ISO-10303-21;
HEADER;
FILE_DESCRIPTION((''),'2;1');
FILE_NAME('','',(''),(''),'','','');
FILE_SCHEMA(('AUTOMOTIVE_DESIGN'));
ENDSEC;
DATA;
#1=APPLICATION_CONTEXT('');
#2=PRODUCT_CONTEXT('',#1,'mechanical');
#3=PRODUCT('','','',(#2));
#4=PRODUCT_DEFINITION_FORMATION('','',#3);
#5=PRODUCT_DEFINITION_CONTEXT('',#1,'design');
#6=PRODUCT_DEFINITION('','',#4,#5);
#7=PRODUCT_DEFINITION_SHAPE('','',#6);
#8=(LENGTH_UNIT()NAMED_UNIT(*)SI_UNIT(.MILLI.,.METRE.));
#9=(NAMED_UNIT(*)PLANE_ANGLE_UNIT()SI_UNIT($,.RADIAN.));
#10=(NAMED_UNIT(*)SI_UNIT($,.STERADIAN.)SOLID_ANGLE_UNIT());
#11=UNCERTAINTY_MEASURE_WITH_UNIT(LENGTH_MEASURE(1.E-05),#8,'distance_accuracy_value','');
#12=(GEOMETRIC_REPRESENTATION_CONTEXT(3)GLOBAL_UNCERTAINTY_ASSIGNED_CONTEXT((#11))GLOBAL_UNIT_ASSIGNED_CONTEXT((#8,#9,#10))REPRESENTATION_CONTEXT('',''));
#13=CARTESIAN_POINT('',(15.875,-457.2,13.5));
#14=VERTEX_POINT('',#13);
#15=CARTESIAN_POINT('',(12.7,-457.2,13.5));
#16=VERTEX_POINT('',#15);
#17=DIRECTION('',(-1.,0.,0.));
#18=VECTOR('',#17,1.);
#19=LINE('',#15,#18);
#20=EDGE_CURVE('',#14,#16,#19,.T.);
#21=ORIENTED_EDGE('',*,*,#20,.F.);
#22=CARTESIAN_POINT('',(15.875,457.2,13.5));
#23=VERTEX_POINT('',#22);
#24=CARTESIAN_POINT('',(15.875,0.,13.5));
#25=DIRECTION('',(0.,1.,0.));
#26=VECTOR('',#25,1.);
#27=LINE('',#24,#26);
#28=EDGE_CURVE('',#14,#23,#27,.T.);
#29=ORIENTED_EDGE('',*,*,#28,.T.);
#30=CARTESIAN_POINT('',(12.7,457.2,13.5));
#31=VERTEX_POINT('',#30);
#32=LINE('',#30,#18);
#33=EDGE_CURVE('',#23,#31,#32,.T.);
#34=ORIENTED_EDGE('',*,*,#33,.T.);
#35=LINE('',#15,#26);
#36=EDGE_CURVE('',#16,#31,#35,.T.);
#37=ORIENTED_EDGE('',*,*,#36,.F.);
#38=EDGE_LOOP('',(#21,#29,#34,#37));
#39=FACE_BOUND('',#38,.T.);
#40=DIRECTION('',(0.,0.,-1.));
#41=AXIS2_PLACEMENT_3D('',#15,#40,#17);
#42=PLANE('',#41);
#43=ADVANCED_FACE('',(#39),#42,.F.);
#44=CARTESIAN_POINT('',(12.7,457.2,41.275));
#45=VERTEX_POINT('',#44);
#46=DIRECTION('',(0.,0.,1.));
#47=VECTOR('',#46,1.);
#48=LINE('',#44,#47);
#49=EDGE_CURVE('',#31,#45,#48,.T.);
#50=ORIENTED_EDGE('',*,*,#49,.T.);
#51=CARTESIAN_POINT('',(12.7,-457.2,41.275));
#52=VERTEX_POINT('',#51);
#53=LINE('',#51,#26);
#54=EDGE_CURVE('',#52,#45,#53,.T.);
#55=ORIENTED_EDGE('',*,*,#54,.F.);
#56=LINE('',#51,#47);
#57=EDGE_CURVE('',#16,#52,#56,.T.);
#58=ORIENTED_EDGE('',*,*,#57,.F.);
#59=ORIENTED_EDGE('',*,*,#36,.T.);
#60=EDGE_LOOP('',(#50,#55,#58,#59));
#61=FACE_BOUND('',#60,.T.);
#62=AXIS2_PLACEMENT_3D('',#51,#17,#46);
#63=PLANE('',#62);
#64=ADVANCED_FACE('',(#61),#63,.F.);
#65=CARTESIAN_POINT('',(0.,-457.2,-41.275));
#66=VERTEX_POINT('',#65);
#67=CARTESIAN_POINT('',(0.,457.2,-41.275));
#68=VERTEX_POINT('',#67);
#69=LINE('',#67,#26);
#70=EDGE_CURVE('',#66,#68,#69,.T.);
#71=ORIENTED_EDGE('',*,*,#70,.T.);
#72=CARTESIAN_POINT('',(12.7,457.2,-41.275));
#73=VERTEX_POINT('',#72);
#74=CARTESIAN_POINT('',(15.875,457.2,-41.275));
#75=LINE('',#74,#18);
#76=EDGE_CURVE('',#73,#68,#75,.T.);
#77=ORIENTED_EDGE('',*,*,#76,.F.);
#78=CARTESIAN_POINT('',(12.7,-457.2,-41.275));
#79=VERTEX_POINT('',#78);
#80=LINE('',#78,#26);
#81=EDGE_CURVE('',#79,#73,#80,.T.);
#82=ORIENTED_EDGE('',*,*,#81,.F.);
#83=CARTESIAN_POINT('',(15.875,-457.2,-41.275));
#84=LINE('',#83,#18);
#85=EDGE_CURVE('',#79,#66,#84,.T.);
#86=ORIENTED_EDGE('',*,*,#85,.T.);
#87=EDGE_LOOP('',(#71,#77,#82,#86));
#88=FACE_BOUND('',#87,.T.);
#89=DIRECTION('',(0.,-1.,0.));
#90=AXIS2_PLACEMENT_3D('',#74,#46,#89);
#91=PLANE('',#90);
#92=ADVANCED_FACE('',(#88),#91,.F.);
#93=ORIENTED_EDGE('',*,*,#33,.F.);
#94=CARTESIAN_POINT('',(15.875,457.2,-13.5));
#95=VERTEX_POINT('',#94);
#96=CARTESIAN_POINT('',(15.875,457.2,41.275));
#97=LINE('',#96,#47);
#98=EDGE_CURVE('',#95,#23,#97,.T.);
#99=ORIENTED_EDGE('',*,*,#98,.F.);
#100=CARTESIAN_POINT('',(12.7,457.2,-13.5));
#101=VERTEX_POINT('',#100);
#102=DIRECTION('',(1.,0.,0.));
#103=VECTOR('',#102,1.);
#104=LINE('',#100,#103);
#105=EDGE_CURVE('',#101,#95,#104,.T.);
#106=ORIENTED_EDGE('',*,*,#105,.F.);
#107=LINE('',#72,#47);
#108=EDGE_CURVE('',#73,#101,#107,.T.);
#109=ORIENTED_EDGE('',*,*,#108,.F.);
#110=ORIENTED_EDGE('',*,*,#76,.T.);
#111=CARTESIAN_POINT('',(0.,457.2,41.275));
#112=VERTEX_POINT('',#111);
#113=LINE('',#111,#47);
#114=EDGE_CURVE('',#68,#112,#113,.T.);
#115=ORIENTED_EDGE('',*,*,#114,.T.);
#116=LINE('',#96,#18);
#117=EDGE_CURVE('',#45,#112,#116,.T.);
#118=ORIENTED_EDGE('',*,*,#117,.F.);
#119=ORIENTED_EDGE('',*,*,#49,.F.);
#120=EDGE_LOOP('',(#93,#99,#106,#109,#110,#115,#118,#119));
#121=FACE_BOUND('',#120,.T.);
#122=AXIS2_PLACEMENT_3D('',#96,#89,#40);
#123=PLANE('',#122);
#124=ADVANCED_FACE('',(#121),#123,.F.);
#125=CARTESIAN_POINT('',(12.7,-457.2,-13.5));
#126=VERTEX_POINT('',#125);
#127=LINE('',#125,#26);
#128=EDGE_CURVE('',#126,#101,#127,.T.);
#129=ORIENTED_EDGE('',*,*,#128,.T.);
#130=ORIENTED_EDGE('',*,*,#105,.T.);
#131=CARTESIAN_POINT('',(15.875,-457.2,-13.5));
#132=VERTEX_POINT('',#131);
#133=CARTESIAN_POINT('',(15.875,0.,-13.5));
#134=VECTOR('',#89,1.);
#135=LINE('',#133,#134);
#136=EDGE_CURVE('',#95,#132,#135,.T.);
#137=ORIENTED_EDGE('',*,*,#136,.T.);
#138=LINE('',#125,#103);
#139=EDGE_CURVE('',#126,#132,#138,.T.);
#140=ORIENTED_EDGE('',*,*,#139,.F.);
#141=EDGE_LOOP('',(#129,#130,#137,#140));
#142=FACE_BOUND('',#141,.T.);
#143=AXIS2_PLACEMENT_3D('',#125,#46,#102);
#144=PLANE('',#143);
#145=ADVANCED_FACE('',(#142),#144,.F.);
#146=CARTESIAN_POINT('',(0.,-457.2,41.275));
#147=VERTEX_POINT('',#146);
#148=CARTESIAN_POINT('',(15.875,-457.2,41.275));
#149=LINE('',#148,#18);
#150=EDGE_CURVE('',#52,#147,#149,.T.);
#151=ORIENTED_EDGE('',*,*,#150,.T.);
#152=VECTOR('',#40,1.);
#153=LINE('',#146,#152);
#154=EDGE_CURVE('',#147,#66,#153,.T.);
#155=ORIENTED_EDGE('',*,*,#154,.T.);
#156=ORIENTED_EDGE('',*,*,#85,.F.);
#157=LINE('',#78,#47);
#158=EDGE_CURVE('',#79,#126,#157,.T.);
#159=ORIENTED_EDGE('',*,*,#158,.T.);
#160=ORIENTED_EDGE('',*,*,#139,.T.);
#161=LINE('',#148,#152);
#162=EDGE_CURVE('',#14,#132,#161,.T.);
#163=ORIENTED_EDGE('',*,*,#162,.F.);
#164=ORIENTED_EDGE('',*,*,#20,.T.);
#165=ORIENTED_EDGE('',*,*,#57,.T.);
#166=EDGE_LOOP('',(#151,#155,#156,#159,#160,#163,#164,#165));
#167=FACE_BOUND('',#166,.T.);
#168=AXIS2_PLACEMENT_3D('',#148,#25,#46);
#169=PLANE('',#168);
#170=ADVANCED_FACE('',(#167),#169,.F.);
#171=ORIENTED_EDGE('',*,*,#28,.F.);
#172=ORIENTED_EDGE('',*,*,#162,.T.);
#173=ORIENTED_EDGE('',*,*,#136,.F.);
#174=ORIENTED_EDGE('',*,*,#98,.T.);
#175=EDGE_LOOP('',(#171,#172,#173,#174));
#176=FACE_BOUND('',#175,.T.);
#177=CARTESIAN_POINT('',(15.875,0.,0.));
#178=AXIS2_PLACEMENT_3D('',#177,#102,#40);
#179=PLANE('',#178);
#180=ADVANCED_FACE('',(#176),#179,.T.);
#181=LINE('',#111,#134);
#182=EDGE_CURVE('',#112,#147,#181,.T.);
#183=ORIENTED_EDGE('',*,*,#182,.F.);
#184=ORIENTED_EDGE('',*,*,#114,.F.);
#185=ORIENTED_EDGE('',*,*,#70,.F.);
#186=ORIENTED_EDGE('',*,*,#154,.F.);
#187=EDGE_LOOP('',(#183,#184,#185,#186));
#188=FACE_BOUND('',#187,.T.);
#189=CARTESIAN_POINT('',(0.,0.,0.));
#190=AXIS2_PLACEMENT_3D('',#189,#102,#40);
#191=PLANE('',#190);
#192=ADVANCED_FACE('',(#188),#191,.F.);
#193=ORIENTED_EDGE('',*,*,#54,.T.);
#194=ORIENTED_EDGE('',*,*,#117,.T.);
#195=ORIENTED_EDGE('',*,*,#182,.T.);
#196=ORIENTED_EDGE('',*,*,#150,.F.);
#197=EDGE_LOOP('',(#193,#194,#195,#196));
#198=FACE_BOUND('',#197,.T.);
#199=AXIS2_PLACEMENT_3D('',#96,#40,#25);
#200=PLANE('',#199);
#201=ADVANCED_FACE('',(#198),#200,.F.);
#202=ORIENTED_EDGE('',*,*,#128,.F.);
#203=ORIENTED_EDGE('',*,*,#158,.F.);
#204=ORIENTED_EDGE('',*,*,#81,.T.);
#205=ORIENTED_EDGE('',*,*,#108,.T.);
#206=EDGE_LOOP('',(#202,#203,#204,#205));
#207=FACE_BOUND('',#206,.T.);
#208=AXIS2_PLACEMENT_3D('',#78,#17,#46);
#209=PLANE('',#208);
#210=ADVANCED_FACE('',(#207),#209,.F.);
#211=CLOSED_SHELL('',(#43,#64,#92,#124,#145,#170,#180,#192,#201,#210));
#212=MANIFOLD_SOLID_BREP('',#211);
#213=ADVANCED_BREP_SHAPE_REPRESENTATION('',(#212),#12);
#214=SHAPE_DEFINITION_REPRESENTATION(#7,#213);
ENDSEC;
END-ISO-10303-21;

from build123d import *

# Parameters (mm, degrees)
ESQUISSE1_W             = 82.55
ESQUISSE1_H             = 914.4
BOSS_EXTRU_1_DEPTH      = 15.875
ENL_V_MAT_EXTRU_1_DEPTH = 916.468733082


with BuildPart() as part:
    # Esquisse1 → Boss.-Extru.1 (new body)
    with BuildSketch(Plane(origin=(0, 0, 0), x_dir=(0, 0, -1), z_dir=(1, 0, 0))):
        Rectangle(ESQUISSE1_W, ESQUISSE1_H)
    extrude(amount=BOSS_EXTRU_1_DEPTH)

    # Esquisse3 → Enlèv. mat.-Extru.1 (cut, through all)
    with BuildSketch(Plane(origin=(0, 457.2, 0), x_dir=(1, 0, 0), z_dir=(0, 1, 0))):
        Polygon((12.7, 41.275), (38.1, 41.275), (38.1, -41.275), (12.7, -41.275), (12.7, -13.5), (19.05, -13.5), (19.05, 13.5), (12.7, 13.5), align=None)
    extrude(amount=-ENL_V_MAT_EXTRU_1_DEPTH, mode=Mode.SUBTRACT)


solid = part.part
